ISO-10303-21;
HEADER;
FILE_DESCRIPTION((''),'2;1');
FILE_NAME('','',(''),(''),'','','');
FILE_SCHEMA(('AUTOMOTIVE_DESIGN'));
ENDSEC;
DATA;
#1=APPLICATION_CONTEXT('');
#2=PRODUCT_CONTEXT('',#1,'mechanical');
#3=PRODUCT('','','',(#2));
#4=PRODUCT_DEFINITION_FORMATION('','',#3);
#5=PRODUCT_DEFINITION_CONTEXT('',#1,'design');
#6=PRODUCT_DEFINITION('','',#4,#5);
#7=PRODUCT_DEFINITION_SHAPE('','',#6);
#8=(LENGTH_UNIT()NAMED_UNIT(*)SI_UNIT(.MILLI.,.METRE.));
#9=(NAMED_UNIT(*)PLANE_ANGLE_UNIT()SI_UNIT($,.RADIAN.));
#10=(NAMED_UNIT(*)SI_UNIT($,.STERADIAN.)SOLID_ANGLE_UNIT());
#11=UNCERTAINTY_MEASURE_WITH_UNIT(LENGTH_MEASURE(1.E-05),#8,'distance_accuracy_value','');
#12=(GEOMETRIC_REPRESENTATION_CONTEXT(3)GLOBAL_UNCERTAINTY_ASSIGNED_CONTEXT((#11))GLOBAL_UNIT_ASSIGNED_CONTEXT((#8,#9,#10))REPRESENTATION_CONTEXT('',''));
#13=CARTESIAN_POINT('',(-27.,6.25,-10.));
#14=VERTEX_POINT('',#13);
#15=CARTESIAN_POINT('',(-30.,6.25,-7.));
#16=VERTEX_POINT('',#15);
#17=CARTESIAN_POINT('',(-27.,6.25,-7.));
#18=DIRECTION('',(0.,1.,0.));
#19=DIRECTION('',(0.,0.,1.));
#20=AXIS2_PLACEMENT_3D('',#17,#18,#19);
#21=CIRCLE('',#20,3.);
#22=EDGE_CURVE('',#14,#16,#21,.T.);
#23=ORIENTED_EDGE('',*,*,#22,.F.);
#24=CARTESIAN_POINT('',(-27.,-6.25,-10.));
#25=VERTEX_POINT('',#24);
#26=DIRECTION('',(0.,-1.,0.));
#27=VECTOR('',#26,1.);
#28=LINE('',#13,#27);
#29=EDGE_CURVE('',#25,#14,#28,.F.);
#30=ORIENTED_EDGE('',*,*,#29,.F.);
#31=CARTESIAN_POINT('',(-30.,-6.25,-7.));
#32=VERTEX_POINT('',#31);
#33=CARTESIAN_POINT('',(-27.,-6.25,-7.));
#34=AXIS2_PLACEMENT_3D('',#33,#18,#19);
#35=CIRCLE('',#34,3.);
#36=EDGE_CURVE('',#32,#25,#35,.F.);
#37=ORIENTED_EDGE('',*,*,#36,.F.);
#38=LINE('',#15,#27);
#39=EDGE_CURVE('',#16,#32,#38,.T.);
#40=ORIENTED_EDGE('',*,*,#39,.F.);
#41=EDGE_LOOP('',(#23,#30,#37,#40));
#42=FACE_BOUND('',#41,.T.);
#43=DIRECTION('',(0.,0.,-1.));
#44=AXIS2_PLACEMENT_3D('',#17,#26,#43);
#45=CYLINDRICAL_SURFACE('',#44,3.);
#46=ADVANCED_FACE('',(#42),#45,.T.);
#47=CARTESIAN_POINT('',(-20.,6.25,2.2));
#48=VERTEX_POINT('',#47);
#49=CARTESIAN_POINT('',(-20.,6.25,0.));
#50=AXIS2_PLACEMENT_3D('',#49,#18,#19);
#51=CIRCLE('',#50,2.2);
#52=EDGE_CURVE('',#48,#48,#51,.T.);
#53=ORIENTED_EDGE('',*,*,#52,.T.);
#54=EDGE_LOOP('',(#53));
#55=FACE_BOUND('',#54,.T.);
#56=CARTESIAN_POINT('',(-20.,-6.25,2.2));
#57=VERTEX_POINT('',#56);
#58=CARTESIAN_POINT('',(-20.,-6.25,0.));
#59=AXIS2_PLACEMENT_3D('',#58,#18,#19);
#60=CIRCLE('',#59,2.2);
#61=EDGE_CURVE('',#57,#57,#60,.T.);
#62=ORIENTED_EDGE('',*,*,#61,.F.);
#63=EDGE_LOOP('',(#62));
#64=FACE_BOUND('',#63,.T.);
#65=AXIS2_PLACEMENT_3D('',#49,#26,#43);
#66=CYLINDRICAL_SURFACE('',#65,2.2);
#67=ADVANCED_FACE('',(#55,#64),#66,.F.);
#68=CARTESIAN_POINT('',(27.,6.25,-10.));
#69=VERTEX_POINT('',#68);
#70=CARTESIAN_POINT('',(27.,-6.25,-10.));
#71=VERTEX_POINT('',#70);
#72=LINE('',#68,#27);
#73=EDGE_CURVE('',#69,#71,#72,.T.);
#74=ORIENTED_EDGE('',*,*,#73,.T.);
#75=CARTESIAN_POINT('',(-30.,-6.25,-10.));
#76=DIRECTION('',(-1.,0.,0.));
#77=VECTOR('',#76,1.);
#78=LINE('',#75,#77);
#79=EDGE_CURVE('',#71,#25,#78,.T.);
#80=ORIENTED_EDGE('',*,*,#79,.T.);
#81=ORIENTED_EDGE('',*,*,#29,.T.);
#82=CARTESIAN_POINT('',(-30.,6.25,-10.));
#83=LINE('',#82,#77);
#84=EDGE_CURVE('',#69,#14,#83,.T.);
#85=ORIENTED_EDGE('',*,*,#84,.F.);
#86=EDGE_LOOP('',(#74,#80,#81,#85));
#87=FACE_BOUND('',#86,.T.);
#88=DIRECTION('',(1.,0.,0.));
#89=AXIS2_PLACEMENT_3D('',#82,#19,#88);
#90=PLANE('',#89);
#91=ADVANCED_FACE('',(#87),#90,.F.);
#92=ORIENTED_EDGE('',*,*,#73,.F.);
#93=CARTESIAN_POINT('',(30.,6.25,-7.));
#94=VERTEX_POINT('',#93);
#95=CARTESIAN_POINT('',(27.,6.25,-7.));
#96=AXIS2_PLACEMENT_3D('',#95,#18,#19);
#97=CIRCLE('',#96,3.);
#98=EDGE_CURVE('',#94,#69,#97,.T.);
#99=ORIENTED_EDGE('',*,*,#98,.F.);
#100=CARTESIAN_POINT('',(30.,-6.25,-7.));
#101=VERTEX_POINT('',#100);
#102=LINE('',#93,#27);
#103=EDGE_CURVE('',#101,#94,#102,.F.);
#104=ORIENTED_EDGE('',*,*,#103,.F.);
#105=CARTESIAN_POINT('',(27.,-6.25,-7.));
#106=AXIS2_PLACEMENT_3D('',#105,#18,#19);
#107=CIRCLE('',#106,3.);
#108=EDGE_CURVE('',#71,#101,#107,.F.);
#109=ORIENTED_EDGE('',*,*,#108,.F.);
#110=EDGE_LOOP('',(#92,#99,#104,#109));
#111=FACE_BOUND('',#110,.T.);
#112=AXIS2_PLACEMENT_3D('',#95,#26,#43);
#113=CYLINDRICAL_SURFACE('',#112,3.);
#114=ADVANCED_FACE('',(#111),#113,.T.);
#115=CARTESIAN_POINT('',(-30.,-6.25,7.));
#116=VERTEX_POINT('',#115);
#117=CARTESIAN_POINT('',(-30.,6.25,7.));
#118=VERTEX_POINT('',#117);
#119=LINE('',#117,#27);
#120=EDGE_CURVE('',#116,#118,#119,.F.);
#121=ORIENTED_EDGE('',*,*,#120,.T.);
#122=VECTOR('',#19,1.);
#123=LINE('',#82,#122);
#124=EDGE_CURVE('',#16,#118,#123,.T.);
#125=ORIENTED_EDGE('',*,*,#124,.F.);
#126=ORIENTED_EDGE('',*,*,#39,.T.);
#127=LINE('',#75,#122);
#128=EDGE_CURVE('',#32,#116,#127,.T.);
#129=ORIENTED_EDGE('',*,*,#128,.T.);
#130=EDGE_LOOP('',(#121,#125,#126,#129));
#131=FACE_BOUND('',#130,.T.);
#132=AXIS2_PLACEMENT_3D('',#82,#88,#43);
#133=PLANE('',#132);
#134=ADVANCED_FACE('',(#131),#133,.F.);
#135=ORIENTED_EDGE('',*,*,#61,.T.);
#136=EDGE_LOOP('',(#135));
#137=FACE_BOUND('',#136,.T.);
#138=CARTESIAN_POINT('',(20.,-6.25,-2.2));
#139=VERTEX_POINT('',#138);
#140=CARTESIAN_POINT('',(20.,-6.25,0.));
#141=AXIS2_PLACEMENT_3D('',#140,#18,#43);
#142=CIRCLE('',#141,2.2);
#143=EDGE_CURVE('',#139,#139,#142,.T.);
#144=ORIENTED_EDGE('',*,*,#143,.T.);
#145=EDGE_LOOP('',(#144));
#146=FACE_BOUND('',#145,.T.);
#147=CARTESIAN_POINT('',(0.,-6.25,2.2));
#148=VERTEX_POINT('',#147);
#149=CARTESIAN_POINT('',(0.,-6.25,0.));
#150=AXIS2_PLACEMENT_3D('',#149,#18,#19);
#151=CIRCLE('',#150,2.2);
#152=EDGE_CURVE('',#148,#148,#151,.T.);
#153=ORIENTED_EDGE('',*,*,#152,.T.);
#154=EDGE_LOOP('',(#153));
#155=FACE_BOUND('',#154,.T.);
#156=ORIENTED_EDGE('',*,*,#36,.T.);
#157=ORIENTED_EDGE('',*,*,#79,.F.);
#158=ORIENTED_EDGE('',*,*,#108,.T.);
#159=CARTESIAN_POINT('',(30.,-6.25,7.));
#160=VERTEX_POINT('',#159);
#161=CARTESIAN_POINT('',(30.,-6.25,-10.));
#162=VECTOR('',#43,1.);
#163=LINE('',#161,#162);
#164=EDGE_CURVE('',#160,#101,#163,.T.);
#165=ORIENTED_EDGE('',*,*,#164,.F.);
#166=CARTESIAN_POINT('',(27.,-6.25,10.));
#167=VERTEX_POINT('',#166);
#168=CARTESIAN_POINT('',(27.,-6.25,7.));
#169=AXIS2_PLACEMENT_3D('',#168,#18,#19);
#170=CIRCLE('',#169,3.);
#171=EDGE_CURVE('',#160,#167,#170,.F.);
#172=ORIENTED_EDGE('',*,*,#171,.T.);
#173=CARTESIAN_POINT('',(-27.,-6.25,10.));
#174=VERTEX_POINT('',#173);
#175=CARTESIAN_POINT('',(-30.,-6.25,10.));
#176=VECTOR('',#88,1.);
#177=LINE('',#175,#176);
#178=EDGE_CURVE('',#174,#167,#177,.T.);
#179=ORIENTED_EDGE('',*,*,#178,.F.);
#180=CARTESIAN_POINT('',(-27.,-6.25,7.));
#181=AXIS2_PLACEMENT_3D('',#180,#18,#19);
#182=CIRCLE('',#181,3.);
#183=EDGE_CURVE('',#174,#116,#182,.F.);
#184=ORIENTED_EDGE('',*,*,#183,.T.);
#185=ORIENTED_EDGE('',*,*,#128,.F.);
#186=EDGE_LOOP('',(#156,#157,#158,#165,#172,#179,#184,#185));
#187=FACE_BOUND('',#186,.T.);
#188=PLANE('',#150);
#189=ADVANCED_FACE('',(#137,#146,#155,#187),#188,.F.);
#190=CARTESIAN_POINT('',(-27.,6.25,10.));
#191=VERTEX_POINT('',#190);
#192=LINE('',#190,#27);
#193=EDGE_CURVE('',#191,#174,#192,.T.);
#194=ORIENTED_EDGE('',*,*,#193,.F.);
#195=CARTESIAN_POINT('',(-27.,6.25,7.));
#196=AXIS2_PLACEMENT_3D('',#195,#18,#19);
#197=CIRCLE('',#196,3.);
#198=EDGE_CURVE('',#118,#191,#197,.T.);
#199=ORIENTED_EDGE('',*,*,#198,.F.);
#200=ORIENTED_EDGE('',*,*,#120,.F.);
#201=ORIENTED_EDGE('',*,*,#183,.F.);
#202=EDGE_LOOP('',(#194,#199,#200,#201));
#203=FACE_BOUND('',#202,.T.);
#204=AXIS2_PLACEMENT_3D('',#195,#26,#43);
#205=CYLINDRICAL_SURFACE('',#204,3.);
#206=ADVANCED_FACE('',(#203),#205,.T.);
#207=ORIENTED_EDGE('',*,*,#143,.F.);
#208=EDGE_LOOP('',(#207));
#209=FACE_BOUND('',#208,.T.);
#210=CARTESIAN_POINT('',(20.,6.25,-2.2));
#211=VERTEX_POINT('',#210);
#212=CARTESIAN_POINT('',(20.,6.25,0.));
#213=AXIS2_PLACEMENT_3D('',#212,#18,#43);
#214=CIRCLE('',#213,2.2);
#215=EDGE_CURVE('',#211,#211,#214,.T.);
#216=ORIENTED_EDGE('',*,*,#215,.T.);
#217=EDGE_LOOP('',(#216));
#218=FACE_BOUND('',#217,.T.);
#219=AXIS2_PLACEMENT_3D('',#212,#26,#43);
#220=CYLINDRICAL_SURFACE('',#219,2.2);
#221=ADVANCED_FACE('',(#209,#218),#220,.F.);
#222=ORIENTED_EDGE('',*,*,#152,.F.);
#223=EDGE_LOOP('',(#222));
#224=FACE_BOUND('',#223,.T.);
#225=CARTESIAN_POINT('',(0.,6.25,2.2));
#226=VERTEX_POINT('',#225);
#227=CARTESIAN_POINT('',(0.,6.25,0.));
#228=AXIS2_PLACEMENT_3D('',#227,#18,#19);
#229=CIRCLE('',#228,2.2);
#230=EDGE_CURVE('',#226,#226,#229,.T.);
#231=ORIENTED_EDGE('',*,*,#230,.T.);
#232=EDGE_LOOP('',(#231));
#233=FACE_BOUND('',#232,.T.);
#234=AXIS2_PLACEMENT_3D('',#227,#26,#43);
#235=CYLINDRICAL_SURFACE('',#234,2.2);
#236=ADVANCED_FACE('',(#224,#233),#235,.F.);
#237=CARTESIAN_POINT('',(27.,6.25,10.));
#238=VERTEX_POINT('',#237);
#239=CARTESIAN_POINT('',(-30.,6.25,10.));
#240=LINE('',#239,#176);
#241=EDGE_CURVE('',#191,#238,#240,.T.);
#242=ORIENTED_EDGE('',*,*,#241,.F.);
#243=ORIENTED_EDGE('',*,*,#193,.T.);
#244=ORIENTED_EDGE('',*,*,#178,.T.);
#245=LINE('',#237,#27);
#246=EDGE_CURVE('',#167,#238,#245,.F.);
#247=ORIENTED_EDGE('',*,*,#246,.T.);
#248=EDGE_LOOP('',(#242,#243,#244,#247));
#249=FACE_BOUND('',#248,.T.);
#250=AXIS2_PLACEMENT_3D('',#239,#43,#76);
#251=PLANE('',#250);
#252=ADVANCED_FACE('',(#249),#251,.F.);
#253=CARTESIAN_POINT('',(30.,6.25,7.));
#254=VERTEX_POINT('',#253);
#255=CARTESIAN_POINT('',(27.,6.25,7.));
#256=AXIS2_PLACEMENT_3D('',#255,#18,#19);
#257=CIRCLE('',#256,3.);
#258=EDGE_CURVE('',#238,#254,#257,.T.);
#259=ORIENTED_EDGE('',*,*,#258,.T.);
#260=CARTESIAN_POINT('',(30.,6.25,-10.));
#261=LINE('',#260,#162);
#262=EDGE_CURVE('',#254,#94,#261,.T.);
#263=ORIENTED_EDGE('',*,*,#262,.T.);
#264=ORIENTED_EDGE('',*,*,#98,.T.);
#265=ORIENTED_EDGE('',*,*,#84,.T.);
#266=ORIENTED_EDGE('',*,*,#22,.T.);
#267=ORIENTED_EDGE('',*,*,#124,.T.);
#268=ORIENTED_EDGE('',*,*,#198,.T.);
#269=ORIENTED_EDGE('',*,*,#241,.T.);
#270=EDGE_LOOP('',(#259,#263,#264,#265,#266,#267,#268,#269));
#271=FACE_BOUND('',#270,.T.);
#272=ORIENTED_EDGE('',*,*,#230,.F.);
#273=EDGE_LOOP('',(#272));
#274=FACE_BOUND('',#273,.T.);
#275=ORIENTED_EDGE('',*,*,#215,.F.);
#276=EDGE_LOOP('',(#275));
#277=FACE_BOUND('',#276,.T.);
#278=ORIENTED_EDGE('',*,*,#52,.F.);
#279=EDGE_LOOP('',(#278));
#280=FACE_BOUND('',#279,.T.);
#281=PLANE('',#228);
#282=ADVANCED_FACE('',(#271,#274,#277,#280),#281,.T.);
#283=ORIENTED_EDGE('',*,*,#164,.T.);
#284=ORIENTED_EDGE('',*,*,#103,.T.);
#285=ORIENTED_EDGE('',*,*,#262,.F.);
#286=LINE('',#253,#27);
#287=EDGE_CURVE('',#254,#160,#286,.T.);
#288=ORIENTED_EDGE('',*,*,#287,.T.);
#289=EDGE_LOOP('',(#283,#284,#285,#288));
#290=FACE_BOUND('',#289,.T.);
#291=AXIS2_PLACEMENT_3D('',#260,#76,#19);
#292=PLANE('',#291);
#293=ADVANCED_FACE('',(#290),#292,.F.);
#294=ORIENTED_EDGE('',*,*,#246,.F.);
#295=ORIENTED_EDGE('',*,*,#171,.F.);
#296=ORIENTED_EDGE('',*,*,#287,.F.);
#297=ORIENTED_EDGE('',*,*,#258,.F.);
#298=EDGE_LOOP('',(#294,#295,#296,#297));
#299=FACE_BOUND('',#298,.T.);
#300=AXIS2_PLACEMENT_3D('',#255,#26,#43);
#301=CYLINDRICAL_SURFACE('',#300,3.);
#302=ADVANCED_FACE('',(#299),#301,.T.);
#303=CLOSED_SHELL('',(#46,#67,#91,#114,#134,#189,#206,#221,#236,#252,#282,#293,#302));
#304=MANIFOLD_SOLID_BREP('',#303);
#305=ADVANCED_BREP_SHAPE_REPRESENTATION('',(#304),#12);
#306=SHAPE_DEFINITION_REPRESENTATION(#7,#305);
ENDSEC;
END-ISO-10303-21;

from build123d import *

# Parameters (mm, degrees)
SKETCH_1_W      = 60
SKETCH_1_H      = 20
SKETCH_1_R      = 2.2
EXTRUDE_1_DEPTH = 6.25
FILLET_1_R      = 3


with BuildPart() as part:
    # 草图1 → 凸台-拉伸1 (new, symmetric)
    with BuildSketch(Plane(origin=(0, 0, 0), x_dir=(1, 0, 0), z_dir=(0, 1, 0))):
        Rectangle(SKETCH_1_W, SKETCH_1_H)
        with Locations(Location((0, 0, 0), (0, 0, 270))):
            Circle(SKETCH_1_R, mode=Mode.SUBTRACT)
        with Locations(Location((-20, 0, 0), (0, 0, 270))):
            Circle(SKETCH_1_R, mode=Mode.SUBTRACT)
        with Locations(Location((20, 0, 0), (0, 0, 90))):
            Circle(SKETCH_1_R, mode=Mode.SUBTRACT)
    extrude(amount=EXTRUDE_1_DEPTH, both=True)

    # 圆角1
    fillet_1_edges = [part.edges().sort_by_distance(p)[0] for p in [
        (30, 0, 10),
        (-30, 0, 10),
        (-30, 0, -10),
        (30, 0, -10),
    ]]
    fillet(fillet_1_edges, radius=FILLET_1_R)


solid = part.part
